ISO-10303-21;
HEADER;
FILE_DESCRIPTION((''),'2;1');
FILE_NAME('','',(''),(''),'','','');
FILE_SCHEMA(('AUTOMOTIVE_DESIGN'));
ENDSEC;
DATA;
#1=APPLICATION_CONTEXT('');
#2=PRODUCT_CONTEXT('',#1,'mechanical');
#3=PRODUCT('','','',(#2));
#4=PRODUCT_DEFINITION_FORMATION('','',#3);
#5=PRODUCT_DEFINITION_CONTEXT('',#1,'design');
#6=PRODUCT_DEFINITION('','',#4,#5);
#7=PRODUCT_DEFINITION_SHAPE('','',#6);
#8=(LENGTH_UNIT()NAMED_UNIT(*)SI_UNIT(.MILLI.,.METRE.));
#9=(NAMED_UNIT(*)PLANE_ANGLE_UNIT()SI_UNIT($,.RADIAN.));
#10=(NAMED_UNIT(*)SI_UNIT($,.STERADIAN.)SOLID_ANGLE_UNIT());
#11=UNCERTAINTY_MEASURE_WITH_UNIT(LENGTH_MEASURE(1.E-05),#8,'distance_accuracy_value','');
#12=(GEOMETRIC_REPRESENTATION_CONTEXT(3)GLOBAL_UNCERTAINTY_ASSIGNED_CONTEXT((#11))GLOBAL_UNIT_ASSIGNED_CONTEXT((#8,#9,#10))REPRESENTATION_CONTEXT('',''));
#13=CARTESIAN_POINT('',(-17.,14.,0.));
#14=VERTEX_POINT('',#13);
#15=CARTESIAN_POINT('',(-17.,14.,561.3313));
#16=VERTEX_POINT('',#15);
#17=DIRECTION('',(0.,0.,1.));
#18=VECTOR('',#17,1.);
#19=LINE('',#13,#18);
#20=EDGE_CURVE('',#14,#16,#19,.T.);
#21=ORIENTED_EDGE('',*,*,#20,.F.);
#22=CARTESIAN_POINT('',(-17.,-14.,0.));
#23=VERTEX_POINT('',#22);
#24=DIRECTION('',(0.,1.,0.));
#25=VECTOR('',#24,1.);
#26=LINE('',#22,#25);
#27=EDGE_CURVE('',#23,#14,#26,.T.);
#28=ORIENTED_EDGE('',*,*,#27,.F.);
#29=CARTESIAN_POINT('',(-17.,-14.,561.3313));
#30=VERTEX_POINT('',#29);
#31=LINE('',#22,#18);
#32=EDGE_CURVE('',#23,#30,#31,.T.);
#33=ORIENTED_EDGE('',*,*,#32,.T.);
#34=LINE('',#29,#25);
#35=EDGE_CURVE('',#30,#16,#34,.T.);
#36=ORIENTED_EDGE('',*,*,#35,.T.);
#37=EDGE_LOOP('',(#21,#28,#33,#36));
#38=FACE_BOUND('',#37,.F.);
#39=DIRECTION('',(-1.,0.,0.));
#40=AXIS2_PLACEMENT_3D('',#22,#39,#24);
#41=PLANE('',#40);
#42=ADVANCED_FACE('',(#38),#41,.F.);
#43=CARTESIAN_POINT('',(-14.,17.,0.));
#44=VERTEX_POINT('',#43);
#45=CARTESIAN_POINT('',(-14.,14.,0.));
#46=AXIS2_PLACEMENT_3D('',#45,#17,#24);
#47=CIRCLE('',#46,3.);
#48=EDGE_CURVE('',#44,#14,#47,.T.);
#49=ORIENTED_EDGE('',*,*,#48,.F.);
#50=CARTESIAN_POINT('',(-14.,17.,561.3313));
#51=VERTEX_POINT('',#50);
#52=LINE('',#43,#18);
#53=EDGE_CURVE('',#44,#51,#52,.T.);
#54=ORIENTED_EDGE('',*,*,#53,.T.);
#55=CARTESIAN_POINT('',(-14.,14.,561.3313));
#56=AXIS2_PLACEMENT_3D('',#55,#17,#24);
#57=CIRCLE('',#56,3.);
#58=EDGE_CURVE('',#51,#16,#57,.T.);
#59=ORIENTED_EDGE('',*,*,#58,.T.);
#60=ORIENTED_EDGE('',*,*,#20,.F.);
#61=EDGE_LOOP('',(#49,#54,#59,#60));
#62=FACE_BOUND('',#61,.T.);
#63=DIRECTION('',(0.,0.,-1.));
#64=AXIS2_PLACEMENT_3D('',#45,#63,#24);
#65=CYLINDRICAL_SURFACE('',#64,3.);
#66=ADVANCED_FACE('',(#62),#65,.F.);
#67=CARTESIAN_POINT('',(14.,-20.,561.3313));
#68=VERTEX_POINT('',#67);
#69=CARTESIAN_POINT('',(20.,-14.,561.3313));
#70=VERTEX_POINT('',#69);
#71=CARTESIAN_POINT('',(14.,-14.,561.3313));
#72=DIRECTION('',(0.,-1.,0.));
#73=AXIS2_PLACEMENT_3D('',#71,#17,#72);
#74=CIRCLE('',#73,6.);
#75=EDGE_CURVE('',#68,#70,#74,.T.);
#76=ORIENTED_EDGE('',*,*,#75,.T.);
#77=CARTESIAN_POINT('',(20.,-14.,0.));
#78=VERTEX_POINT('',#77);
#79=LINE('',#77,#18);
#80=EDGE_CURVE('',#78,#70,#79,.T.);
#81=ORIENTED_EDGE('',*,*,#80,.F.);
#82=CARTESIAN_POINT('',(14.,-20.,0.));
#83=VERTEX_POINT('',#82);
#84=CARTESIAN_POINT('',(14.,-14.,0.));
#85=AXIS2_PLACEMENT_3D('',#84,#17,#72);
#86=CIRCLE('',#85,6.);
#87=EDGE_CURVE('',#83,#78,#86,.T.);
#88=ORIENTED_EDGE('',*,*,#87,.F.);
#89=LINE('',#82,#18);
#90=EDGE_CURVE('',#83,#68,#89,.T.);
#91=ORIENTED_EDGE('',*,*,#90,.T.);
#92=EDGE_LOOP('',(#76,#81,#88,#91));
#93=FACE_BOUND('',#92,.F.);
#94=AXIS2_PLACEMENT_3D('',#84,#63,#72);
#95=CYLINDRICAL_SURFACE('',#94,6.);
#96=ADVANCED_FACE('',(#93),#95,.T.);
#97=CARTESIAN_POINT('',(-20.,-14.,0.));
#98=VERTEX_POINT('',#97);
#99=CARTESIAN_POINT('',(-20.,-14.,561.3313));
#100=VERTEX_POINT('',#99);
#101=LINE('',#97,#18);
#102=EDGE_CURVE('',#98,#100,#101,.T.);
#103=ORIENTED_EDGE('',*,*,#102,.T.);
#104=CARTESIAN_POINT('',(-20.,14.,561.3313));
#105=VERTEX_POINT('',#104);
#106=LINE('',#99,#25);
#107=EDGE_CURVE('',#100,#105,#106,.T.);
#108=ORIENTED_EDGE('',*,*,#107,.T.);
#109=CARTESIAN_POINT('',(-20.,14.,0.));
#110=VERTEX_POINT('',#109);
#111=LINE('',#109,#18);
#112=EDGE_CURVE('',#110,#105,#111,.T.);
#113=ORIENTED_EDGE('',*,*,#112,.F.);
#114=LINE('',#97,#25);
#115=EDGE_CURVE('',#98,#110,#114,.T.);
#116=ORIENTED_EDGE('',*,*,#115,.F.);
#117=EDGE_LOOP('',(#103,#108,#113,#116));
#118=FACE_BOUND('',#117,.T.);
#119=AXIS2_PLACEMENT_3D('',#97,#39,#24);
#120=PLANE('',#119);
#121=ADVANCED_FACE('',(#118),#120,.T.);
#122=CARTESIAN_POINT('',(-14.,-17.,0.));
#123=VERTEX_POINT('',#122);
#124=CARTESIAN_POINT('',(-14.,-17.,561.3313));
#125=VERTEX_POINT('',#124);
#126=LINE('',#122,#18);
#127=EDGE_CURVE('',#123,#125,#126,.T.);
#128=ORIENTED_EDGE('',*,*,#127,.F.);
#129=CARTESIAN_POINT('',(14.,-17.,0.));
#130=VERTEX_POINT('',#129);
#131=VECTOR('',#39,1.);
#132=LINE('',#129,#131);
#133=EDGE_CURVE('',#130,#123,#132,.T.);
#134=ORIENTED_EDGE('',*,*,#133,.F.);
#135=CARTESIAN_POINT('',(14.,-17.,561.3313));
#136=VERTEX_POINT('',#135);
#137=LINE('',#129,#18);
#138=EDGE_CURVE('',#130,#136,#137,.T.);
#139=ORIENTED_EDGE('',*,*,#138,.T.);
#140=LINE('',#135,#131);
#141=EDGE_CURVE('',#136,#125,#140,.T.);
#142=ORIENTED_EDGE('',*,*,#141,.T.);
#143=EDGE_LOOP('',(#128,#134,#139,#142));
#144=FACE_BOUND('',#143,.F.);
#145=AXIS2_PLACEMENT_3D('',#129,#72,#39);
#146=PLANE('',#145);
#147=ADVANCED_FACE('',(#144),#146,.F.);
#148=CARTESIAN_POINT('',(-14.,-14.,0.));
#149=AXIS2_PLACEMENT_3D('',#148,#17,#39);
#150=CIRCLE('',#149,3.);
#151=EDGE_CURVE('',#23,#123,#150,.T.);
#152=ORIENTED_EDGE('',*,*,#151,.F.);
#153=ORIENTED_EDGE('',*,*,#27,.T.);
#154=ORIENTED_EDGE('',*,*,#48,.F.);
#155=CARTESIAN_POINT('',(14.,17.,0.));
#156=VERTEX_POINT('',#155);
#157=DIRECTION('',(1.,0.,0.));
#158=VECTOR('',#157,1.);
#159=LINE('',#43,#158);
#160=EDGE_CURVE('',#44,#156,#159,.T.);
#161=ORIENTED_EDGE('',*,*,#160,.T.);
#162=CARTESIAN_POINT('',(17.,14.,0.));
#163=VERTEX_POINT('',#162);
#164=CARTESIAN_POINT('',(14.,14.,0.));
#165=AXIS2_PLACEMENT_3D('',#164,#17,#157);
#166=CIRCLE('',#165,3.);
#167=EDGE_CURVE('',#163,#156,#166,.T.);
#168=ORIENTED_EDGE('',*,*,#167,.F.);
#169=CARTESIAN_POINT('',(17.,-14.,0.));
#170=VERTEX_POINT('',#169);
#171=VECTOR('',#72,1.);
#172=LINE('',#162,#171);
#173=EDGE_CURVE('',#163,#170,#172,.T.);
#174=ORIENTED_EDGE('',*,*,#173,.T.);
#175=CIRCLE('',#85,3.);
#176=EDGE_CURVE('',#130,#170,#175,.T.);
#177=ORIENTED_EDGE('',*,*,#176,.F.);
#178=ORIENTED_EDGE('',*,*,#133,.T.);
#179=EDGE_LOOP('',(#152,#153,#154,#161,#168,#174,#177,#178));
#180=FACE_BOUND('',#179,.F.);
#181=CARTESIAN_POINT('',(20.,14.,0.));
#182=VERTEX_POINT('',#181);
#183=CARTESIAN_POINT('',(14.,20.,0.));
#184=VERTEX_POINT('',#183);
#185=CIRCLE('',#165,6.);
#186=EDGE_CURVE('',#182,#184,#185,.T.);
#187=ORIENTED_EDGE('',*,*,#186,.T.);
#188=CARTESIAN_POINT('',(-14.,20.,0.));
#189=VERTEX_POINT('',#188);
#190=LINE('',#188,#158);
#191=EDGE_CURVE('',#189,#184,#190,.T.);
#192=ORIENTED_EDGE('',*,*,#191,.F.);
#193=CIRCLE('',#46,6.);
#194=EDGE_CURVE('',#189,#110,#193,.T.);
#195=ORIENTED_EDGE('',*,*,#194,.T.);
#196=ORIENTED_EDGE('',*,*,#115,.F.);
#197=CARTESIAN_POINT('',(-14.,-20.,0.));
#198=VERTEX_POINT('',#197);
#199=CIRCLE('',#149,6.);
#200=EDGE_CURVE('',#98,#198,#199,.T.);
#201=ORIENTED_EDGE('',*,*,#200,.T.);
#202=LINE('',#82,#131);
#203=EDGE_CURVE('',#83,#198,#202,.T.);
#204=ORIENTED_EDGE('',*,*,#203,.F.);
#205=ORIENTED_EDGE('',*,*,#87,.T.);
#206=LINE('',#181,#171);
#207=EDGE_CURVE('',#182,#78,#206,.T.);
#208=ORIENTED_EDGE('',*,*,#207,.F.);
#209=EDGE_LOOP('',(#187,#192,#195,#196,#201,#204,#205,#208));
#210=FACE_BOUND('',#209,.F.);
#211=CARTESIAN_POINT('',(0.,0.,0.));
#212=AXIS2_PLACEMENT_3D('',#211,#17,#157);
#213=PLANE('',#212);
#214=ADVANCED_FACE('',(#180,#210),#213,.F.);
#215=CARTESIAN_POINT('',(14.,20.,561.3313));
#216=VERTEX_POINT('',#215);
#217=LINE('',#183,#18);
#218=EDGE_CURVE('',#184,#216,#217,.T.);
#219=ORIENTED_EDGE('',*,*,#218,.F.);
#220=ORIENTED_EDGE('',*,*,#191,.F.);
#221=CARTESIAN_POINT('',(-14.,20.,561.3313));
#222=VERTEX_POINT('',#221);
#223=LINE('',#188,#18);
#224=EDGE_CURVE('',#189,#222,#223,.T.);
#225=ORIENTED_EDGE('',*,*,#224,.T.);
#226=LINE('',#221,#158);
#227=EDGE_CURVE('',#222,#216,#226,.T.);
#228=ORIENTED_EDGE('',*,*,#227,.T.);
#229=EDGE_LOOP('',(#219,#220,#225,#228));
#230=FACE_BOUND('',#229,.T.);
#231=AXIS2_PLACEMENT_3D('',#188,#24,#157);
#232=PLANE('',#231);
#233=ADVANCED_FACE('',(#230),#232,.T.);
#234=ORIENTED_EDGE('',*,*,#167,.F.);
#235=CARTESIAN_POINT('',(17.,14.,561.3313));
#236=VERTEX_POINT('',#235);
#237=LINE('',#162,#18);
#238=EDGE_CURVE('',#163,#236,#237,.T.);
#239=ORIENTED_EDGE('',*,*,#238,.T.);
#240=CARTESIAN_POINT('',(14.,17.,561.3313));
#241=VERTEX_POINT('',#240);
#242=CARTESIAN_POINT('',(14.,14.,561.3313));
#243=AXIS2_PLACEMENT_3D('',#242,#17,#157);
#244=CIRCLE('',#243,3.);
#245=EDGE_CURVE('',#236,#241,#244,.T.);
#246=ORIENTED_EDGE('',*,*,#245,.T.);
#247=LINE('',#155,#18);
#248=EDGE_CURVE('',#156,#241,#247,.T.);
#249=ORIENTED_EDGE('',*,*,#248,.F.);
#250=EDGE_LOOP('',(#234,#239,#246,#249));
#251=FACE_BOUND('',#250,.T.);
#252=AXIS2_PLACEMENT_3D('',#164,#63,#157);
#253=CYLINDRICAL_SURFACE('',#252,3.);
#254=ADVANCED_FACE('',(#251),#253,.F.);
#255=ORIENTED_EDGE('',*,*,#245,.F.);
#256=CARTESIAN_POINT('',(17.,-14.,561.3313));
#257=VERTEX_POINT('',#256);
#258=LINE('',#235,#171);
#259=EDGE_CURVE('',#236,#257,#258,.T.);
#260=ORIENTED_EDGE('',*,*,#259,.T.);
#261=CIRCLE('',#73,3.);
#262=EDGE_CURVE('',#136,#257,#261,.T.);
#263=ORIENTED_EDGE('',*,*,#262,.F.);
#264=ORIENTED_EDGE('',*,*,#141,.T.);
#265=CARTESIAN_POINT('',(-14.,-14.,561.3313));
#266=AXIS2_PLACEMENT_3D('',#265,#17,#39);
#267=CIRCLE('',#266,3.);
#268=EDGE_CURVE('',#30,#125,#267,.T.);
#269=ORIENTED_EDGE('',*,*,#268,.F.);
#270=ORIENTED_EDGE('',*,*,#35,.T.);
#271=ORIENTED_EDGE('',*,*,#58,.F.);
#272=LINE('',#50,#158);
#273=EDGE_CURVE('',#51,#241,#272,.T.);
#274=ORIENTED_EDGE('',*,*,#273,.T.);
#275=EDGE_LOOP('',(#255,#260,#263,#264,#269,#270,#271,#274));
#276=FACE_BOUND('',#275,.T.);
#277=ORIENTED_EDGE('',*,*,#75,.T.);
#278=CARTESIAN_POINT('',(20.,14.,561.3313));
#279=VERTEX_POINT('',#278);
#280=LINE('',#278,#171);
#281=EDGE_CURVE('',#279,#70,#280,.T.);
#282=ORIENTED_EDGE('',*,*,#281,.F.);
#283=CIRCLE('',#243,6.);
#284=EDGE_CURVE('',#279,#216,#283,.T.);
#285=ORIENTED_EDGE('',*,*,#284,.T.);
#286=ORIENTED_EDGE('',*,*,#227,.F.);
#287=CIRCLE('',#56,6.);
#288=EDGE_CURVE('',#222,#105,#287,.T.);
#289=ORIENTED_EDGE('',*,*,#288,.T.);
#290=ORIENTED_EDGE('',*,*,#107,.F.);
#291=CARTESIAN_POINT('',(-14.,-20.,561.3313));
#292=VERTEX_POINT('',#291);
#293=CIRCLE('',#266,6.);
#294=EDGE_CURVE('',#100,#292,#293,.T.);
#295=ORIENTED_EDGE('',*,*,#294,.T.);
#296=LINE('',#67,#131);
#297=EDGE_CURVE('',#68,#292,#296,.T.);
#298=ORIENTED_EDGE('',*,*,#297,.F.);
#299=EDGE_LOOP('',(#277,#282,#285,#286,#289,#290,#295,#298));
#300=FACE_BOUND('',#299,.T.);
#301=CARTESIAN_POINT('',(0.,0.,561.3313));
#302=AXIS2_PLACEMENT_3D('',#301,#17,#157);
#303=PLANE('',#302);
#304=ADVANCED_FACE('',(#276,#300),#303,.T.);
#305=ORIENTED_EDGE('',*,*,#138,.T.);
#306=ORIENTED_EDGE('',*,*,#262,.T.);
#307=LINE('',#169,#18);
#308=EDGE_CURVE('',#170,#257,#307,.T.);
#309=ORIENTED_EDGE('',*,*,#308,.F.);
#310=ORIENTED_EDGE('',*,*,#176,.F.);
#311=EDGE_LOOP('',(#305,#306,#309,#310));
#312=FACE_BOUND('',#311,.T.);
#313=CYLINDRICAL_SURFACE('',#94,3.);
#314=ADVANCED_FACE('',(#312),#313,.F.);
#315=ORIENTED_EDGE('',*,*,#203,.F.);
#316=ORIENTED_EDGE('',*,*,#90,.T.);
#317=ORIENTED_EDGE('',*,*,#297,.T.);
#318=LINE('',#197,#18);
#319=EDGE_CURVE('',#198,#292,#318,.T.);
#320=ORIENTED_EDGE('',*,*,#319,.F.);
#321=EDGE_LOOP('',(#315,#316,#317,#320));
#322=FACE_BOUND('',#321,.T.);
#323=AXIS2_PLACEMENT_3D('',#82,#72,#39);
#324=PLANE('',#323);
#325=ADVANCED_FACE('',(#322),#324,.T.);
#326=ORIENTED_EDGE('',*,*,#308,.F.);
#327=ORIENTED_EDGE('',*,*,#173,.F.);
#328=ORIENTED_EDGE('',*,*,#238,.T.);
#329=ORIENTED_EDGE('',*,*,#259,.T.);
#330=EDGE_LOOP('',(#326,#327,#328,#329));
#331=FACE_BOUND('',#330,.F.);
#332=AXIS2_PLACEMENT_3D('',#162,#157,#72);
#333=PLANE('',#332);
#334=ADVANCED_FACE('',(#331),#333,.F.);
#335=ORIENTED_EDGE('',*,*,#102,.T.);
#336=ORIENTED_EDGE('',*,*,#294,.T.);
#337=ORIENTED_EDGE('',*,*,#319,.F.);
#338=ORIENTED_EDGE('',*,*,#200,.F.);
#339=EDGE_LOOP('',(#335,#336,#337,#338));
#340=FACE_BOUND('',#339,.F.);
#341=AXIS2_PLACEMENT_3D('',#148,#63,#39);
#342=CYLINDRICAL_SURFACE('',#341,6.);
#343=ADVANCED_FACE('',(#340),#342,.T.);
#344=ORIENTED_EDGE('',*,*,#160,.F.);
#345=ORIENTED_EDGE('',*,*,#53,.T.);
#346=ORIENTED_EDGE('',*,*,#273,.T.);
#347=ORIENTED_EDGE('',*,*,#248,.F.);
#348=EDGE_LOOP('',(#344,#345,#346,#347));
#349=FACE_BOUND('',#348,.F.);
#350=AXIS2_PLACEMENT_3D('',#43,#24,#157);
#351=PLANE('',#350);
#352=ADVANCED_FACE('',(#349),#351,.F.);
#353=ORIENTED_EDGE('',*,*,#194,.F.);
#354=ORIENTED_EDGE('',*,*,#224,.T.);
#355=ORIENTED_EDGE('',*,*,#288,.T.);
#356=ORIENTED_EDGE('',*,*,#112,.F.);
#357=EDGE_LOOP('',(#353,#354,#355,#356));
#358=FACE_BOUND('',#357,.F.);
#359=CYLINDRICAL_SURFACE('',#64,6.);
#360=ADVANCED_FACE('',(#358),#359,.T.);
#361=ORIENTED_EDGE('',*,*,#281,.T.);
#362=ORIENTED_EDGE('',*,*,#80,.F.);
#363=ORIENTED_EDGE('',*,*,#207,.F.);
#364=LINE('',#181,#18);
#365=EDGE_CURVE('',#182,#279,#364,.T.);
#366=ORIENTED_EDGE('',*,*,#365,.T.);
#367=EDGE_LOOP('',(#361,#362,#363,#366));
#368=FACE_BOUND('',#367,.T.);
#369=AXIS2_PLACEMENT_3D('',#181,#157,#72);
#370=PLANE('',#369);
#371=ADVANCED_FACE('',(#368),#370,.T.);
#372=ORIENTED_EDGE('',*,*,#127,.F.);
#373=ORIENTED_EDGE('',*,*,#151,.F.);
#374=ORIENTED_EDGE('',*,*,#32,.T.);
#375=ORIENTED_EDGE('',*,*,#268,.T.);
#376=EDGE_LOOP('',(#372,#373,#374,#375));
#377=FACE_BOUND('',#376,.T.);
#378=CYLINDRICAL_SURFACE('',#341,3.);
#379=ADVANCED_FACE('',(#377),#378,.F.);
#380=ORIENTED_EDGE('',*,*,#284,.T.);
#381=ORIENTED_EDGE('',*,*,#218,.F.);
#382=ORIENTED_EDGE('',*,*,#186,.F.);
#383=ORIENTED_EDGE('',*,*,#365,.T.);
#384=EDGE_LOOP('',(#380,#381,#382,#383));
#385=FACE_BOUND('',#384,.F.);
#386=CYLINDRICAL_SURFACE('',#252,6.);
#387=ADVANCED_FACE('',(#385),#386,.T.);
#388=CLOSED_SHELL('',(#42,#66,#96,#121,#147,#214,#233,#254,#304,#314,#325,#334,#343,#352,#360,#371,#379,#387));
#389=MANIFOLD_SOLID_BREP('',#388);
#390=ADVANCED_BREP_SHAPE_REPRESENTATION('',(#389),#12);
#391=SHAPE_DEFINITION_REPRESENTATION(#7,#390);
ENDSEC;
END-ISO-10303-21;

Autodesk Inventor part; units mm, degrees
ref_plane "YZ Plane" through (0, 0, 0) normal (1, 0, 0) x (0, 1, 0)
ref_plane "Start Plane" through (0, 0, 0) normal (0, 0, 1) x (1, 0, 0)
ref_plane "End Plane" through (0, 0, 561.3313) normal (0, 0, 1) x (1, 0, 0)
sketch "Sketch" plane through (0, 0, 0) normal (0, 0, 1) x (1, 0, 0)
  line L0 (-20, -14) -> (-20, 14)
  line L1 (-14, 20) -> (14, 20)
  line L2 (20, 14) -> (20, -14)
  line L3 (14, -20) -> (-14, -20)
  arc A0 (-20, -14) -> (-14, -20) centre (-14, -14) ccw
  arc A1 (20, 14) -> (14, 20) centre (14, 14) ccw
  arc A2 (-14, 20) -> (-20, 14) centre (-14, 14) ccw
  arc A3 (14, -20) -> (20, -14) centre (14, -14) ccw
  arc A4 (-14, 17) -> (-17, 14) centre (-14, 14) ccw
  line L4 (-14, 17) -> (14, 17)
  arc A5 (17, 14) -> (14, 17) centre (14, 14) ccw
  line L5 (17, 14) -> (17, -14)
  arc A6 (14, -17) -> (17, -14) centre (14, -14) ccw
  line L6 (14, -17) -> (-14, -17)
  arc A7 (-17, -14) -> (-14, -17) centre (-14, -14) ccw
  line L7 (-17, -14) -> (-17, 14)
  line L8 (0, 29.7397) -> (0, -29.7397) construction
  line L9 (-29.7397, 0) -> (29.7397, 0) construction
  dimension "d7" = 6
  dimension "d9" = 40
  dimension "d11" = 40
  dimension "d12" = 3
  dimension "d15" = 20
  dimension "d16" = 20
extrude "Body" add sketch "Sketch" along normal up to surface (561.3313 mm away) from surface at 0
sketch "Sketch3" plane through (0, 0, 0) normal (0, 0, 1) x (1, 0, 0)
  line L0 (0, 0) -> (10, 0)
ref_plane "Work Plane3" through (0, 0, 0) normal (0, -1, 0) x (1, 0, 0)
sketch "Sketch4" plane through (0, 0, 0) normal (0, -1, 0) x (1, 0, 0)
  line L0 (-2, 0) -> (12, 0) projected
  line L1 (-2, 561.3313) -> (12, 561.3313) projected
  dimension "d18" = 561.3313
equation "\"d7\" = G_IR"
equation "\"d9\" = G_W"
equation "\"d11\" = G_H"
equation "\"d12\" = G_T"
equation "\"d15\" = 0.5 * d9"
equation "\"d16\" = 0.5 * d11"
equation "\"d3\" = G_L"
equation "\"G_W\" = 40"
equation "\"G_H\" = 40"
equation "\"G_T\" = 3"
equation "\"G_IR\" = 6"
equation "\"G_L\" = d18"
equation "\"G_OFFSET_START\" = 0"
equation "\"G_OFFSET_END\" = 0"
equation "\"d14\" = G_OFFSET_END + B_L"
equation "\"B_L\" = 561.33126"
properties part number "ISO 10799-2 - 40x40x3 - 561,33" material "Steel, Mild"
